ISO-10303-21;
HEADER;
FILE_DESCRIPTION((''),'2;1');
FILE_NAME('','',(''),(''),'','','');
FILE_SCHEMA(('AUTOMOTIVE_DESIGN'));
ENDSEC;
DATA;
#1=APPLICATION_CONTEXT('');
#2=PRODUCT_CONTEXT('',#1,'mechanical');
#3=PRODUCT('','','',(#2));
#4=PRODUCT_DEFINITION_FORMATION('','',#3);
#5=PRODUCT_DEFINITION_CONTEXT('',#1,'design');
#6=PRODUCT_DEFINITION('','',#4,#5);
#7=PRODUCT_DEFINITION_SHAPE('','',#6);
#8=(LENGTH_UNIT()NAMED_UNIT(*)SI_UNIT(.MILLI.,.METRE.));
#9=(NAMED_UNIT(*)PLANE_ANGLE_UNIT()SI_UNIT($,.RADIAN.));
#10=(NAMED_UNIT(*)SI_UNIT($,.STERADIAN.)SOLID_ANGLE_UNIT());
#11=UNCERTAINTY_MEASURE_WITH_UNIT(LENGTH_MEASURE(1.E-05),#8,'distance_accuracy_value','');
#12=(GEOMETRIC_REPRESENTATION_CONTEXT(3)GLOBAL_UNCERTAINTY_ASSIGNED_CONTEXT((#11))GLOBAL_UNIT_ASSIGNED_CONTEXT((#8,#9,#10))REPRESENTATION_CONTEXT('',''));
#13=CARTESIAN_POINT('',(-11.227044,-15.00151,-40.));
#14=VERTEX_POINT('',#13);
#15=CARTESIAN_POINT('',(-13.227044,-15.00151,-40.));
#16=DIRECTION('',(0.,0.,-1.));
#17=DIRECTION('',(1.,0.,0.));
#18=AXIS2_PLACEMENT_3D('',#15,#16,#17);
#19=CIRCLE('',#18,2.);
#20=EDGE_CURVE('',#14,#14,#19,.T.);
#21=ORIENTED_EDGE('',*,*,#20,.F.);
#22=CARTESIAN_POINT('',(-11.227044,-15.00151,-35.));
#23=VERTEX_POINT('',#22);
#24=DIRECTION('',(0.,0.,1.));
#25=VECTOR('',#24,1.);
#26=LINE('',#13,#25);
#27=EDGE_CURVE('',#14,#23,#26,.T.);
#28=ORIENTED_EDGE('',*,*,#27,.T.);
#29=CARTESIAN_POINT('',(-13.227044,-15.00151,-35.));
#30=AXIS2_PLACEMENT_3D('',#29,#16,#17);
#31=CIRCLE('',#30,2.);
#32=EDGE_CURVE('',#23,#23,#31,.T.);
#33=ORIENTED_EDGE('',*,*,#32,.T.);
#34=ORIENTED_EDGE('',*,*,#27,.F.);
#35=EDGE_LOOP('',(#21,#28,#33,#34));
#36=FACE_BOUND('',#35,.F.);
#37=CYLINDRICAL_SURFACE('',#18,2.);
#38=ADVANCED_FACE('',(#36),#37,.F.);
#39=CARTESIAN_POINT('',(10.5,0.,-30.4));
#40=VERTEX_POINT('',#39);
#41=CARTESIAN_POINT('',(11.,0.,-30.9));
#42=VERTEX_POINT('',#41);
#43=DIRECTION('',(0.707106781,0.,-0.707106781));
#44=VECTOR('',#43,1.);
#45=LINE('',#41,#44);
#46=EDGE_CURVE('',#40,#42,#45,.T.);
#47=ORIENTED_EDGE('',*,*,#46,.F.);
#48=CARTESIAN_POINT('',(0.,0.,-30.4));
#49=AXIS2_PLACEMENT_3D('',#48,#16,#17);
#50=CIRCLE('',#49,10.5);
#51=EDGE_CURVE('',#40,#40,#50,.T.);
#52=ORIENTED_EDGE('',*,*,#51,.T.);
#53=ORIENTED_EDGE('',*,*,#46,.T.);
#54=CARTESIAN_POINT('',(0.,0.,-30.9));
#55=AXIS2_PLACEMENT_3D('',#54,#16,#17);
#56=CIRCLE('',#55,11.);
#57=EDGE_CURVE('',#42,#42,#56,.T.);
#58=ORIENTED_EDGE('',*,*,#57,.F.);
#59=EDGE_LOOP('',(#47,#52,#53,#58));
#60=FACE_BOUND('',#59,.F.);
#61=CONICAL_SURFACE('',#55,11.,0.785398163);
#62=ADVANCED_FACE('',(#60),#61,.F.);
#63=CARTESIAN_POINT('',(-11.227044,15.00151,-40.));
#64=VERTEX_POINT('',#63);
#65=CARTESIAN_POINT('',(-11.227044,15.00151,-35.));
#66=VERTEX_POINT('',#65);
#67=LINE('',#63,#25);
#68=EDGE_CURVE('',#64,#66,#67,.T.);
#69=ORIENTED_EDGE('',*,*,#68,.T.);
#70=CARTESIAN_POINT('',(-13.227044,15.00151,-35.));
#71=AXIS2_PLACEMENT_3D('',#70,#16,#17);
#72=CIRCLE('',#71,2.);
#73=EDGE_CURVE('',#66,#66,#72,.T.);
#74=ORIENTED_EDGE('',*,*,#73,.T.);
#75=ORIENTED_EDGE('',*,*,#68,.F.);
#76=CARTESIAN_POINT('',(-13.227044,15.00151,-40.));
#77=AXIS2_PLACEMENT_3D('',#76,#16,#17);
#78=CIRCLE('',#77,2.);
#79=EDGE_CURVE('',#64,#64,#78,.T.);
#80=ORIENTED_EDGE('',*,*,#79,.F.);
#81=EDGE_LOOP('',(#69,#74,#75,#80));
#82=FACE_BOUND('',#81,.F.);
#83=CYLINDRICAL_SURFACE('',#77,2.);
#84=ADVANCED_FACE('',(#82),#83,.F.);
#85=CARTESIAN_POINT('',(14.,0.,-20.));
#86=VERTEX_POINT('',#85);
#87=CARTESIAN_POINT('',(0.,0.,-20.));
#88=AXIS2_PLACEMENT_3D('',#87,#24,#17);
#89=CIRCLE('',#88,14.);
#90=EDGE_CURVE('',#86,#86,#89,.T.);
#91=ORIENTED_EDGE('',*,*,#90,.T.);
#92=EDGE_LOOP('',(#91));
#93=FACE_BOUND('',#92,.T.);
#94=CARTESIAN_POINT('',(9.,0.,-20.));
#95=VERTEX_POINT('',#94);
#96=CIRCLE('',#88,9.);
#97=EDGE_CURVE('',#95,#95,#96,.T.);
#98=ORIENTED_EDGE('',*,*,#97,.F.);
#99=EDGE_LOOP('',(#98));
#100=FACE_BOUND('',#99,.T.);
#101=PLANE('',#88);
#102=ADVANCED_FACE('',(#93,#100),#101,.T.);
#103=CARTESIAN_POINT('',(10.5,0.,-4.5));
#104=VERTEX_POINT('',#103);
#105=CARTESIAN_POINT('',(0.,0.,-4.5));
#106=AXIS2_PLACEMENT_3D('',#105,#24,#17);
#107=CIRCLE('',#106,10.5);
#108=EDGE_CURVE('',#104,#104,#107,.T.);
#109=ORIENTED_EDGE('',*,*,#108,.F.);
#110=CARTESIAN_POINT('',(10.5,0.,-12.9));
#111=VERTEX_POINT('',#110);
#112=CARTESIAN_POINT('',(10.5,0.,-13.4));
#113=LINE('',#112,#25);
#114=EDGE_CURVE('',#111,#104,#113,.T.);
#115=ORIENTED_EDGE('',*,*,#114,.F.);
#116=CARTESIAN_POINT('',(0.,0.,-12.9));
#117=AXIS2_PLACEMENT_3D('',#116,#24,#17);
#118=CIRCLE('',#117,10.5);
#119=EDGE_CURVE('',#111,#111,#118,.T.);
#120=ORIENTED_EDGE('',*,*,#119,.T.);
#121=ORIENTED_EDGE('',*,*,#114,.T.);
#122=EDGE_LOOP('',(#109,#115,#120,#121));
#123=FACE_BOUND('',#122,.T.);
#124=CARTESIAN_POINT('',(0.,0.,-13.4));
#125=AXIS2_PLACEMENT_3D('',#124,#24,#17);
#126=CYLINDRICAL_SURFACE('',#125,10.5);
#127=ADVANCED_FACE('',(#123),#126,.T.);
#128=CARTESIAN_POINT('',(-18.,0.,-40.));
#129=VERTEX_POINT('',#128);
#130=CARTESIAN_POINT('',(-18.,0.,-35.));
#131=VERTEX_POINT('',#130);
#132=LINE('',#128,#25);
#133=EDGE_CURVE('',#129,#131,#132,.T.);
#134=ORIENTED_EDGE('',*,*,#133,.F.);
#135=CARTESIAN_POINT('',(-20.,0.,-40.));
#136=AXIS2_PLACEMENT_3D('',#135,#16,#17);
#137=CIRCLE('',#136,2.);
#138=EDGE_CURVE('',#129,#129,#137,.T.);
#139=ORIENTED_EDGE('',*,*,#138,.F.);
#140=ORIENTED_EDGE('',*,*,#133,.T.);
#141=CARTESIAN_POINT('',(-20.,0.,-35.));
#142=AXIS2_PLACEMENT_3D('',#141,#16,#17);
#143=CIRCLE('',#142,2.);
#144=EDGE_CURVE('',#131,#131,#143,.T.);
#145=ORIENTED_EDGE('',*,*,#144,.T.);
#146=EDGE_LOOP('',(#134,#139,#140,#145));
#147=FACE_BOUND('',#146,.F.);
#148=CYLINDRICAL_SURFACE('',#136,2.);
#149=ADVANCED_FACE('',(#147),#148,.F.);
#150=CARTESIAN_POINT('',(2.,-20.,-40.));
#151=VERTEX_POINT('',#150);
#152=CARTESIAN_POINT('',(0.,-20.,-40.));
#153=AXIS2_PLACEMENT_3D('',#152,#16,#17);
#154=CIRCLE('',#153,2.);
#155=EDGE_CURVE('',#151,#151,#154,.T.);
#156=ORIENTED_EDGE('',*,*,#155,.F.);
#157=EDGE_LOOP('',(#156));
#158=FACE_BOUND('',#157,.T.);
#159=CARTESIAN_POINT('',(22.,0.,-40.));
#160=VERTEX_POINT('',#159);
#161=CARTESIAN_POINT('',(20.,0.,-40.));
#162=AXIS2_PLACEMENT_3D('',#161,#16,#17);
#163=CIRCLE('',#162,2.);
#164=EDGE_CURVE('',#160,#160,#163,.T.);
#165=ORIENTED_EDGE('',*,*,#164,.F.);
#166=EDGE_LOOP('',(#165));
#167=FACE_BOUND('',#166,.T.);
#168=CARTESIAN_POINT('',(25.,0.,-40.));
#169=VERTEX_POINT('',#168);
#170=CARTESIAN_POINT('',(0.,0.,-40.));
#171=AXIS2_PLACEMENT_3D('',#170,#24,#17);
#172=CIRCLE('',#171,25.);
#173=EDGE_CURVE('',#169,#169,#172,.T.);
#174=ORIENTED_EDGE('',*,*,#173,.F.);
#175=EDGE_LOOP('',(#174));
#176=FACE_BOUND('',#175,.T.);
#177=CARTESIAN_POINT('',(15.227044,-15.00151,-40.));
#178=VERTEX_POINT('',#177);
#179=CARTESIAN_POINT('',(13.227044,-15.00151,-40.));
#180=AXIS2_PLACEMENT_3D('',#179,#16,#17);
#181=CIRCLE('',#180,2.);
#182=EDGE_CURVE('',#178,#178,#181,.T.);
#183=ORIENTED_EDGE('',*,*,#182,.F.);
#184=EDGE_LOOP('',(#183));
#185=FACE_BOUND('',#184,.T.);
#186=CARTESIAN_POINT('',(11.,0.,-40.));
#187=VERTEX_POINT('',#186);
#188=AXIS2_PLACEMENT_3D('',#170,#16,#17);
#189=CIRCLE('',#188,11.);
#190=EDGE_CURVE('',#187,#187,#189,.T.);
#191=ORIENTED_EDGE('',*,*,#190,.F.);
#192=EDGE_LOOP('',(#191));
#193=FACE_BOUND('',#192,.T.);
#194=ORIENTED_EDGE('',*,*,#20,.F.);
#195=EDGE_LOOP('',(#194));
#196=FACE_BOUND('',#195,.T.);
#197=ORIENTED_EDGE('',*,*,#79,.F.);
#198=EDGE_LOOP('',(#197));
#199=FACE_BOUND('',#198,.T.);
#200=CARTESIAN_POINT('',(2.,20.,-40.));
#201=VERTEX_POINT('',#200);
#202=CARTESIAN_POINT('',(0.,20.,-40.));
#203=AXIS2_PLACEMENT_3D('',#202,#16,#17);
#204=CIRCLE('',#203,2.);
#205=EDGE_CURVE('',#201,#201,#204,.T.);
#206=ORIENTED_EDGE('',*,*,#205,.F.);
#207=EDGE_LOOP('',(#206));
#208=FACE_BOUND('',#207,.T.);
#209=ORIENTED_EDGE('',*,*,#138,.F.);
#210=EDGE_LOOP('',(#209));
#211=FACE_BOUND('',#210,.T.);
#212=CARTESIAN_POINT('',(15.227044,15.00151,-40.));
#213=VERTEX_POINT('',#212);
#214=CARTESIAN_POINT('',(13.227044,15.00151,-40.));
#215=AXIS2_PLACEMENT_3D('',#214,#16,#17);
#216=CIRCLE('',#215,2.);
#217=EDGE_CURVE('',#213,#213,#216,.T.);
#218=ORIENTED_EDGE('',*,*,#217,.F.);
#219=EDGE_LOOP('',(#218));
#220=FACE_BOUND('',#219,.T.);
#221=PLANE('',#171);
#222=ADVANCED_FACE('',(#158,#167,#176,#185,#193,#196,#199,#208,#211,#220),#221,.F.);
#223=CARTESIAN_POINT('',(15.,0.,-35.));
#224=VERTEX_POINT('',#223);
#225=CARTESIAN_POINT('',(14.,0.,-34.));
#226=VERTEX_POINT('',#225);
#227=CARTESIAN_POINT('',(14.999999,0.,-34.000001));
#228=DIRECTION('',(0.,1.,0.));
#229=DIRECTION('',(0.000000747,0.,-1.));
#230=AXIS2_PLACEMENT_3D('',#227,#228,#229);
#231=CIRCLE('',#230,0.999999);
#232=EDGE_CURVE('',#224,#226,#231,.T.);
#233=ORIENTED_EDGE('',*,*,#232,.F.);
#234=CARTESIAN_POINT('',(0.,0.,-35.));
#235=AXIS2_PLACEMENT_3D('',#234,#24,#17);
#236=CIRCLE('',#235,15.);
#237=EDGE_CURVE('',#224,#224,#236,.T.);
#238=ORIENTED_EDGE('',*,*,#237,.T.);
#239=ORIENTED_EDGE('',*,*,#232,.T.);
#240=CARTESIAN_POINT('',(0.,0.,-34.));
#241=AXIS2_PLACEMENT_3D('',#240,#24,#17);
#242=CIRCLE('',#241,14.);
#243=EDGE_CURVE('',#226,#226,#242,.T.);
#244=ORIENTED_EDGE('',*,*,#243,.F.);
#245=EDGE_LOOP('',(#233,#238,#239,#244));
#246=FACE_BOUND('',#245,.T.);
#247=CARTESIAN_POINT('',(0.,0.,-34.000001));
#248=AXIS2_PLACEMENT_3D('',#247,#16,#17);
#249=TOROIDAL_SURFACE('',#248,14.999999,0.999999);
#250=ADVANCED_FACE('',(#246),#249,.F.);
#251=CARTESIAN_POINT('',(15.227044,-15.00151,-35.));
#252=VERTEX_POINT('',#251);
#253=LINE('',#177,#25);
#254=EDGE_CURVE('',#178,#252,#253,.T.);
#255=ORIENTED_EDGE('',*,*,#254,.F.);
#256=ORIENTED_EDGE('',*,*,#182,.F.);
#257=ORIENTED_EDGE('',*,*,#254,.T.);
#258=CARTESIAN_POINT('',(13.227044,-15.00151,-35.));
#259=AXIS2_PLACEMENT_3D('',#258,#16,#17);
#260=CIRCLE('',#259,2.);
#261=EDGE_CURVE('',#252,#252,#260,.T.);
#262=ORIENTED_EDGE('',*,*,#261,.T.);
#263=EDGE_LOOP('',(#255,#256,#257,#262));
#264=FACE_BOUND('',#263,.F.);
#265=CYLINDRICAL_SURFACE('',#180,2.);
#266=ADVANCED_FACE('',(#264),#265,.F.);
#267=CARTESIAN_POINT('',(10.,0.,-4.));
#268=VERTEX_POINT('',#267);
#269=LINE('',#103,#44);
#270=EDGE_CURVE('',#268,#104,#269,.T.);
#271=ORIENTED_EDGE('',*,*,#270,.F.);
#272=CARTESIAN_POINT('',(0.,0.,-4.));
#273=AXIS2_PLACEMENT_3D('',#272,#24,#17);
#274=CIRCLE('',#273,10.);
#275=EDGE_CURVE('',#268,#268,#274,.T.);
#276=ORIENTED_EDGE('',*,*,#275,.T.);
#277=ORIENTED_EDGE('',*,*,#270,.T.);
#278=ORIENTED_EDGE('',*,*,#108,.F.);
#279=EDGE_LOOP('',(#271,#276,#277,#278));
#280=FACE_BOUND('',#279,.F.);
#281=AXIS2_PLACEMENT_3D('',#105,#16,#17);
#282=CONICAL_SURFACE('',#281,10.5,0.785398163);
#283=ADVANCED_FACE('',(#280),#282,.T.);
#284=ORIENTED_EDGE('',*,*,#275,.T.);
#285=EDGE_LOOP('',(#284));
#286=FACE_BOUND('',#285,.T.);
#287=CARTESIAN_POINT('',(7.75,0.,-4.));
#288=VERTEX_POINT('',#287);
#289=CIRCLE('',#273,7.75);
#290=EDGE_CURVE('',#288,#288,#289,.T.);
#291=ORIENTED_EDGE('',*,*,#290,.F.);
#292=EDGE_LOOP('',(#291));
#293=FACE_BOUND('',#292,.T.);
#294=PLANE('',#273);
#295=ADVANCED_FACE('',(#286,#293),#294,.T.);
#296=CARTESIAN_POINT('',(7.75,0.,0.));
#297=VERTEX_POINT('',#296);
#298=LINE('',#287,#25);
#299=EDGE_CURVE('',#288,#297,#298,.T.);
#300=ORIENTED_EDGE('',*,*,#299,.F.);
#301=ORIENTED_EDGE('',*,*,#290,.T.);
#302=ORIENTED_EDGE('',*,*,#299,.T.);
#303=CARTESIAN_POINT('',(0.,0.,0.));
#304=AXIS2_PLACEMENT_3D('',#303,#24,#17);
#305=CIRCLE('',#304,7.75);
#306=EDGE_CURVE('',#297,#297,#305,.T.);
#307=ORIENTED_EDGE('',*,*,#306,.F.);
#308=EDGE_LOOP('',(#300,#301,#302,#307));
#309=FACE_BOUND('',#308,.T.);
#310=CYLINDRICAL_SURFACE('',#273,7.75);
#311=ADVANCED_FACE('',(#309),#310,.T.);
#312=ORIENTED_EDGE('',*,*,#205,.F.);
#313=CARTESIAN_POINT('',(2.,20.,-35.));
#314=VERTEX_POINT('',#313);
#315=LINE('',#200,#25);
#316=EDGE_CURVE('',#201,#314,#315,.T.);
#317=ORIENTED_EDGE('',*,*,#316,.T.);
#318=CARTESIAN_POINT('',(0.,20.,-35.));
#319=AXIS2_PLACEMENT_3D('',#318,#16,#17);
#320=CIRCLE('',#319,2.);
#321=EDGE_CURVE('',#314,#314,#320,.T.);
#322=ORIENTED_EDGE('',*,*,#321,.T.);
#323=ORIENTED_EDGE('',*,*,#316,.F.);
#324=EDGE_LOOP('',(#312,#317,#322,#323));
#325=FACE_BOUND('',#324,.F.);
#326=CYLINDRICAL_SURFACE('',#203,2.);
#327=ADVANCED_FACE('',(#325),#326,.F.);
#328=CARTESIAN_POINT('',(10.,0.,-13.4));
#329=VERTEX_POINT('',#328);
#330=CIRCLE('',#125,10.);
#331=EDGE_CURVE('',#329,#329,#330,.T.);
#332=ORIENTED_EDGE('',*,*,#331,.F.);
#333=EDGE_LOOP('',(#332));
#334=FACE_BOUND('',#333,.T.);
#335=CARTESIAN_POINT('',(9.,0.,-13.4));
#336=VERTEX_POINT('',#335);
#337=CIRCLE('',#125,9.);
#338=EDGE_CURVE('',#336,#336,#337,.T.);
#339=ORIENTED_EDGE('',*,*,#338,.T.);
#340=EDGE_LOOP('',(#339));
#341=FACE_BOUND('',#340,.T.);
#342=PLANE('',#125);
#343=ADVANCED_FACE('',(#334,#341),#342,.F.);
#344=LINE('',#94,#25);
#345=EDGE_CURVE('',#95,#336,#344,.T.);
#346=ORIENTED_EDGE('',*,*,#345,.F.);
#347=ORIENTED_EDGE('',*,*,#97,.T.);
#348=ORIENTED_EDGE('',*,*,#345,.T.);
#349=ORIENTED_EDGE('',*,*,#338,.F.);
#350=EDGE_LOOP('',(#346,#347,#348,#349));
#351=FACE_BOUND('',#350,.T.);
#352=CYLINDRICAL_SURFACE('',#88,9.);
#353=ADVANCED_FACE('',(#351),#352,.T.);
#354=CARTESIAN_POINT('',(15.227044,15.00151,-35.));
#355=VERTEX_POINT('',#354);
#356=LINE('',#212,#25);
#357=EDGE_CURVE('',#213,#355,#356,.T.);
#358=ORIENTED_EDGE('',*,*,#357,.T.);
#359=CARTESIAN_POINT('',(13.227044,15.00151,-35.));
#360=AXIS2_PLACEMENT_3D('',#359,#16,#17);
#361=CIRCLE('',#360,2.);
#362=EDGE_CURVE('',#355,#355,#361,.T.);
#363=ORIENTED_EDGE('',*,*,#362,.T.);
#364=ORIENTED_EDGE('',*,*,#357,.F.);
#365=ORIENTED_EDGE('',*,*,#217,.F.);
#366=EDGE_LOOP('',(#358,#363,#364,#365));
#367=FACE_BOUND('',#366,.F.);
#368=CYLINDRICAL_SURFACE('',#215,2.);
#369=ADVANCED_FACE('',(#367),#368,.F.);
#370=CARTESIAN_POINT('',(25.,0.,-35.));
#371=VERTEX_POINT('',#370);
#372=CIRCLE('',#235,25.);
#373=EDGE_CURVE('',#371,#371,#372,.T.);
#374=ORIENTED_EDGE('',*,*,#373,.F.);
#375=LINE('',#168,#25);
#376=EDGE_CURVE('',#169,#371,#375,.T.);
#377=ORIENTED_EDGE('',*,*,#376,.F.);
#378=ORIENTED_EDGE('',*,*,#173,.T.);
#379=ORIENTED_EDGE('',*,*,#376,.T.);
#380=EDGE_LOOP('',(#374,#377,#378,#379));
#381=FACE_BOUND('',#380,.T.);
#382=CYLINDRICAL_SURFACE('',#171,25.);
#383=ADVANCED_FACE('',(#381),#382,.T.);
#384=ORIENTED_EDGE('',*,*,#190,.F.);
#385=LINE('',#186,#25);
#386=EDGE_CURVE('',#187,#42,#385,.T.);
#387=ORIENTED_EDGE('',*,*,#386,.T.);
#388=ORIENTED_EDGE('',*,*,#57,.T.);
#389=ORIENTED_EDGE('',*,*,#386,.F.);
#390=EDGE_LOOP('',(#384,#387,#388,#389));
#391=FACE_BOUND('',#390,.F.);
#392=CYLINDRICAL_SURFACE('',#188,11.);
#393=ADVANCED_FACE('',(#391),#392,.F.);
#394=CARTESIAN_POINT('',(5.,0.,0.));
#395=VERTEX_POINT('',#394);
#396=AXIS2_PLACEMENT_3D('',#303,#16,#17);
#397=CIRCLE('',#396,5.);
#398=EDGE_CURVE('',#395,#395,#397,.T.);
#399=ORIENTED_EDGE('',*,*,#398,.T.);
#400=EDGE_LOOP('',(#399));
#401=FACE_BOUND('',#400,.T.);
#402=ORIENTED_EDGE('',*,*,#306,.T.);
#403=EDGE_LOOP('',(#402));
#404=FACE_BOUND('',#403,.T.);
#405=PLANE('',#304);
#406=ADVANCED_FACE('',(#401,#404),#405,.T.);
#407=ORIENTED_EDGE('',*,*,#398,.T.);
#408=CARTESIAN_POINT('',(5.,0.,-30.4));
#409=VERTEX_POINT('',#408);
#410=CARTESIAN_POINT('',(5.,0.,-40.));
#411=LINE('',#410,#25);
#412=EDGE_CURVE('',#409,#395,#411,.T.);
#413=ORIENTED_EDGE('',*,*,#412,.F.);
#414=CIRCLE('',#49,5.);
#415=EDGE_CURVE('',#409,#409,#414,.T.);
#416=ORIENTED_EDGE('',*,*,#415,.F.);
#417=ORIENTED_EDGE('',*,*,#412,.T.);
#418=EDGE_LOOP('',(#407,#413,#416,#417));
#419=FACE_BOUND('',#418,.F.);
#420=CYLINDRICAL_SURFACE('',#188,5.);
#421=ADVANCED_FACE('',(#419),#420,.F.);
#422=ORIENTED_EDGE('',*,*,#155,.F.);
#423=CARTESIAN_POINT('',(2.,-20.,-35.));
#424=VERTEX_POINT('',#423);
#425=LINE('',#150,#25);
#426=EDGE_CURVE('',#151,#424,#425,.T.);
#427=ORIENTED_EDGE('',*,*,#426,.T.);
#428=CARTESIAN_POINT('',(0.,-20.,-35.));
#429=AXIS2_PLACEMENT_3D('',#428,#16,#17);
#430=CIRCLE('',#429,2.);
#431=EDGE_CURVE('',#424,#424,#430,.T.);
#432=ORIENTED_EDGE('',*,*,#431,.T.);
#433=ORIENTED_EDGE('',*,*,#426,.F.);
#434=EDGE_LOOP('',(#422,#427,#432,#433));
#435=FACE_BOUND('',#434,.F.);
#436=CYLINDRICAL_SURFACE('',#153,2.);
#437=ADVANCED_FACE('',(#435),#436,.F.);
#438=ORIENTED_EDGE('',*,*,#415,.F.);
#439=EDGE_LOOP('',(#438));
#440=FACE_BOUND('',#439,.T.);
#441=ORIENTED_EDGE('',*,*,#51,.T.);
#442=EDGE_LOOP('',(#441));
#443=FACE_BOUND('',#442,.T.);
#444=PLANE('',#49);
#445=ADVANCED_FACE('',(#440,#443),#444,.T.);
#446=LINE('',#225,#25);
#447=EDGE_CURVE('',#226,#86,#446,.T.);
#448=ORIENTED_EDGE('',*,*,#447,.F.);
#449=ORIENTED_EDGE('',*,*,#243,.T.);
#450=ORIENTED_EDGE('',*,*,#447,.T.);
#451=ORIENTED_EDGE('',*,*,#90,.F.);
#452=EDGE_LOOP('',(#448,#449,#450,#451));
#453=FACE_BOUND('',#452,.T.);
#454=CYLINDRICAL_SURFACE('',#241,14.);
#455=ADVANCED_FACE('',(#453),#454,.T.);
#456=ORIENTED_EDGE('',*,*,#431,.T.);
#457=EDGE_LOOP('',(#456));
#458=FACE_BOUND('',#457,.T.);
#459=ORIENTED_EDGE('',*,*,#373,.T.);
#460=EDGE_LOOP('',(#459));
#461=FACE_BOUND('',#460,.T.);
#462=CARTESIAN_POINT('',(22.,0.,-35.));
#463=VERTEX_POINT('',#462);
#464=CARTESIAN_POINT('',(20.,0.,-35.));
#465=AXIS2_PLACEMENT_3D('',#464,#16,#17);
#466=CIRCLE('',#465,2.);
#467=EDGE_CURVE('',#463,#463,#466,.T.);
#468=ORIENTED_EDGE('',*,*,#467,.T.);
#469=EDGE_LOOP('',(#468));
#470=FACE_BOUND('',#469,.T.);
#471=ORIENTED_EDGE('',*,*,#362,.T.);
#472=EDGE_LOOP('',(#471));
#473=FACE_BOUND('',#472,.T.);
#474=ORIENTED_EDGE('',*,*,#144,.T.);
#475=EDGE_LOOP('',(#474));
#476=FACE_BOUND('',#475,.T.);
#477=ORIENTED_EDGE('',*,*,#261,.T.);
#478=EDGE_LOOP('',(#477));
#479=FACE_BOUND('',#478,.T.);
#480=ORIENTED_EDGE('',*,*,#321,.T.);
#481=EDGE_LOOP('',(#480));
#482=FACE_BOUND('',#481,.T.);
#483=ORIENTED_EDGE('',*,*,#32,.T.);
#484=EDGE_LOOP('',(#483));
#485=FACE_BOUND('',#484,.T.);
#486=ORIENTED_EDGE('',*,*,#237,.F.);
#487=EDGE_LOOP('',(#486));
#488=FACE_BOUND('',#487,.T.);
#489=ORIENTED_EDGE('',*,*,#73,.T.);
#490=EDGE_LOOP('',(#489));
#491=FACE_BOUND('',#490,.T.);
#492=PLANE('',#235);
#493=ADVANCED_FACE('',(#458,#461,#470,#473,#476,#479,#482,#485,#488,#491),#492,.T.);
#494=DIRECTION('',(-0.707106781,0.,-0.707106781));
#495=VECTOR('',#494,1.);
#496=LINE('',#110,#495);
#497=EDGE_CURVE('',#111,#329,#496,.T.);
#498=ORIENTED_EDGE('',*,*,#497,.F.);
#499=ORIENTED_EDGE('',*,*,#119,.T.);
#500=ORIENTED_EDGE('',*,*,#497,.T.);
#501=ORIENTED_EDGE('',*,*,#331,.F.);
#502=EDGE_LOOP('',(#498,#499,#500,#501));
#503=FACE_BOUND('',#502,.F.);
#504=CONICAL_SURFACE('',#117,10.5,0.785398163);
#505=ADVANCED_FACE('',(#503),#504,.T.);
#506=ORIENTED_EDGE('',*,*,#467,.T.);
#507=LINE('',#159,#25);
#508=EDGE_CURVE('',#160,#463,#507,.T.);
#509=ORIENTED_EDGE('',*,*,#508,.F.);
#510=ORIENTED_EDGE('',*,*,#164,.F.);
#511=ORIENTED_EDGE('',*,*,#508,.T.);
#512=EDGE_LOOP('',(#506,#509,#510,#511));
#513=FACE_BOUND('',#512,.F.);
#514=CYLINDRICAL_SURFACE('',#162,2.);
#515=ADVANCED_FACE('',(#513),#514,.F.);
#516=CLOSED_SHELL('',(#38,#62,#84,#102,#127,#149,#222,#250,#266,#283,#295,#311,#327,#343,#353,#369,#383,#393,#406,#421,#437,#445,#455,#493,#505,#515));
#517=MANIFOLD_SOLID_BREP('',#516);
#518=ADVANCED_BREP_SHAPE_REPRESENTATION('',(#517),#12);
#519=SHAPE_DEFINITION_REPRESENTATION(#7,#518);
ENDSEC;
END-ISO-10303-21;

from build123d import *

# Parameters (mm, degrees)
F2_R     = 5
F3_DEPTH = 40
F2_R_2   = 11
F4_DEPTH = 9.6
F2_R_3   = 2
F5_DEPTH = 5
F6_SIZE  = 0.5


with BuildPart() as f1:
    # F0 (on Front) → F1 (revolve)
    with BuildSketch(Plane.XZ):
        with BuildLine():
            Line((7.75, 0), (0, 0))
            Line((0, 0), (0, -40))
            Line((0, -40), (25, -40))
            Line((25, -40), (25, -35))
            Line((25, -35), (15, -35))
            ThreePointArc((15, -35), (14.292893, -34.707107), (14, -34))
            Line((14, -34), (14, -20))
            Line((14, -20), (9, -20))
            Line((9, -20), (9, -13.4))
            Line((9, -13.4), (10.5, -13.4))
            Line((10.5, -13.4), (10.5, -4))
            Line((10.5, -4), (7.75, -4))
            Line((7.75, -4), (7.75, 0))
        make_face()
    revolve(axis=Axis((0, 0, -20), (0, 0, 1)))

    # F2 (on face) → F3 (cut)
    with BuildSketch(Plane(origin=(0, 0, -40), x_dir=(1, 0, 0), z_dir=(0, 0, -1))):
        Circle(F2_R)
    extrude(amount=-F3_DEPTH, mode=Mode.SUBTRACT)

    # F2 (on face) → F4 (cut)
    with BuildSketch(Plane(origin=(0, 0, -40), x_dir=(1, 0, 0), z_dir=(0, 0, -1))):
        Circle(F2_R_2)
        Circle(F2_R, mode=Mode.SUBTRACT)
    extrude(amount=-F4_DEPTH, mode=Mode.SUBTRACT)

    # F2 (on face) → F5 (cut)
    with BuildSketch(Plane(origin=(0, 0, -40), x_dir=(1, 0, 0), z_dir=(0, 0, -1))):
        with Locations((-13.227044, 15.00151)):
            Circle(F2_R_3)
        with Locations((0, 20)):
            Circle(F2_R_3)
        with Locations((13.227044, 15.00151)):
            Circle(F2_R_3)
        with Locations((20, 0)):
            Circle(F2_R_3)
        with Locations((13.227044, -15.00151)):
            Circle(F2_R_3)
        with Locations((0, -20)):
            Circle(F2_R_3)
        with Locations((-13.227044, -15.00151)):
            Circle(F2_R_3)
        with Locations((-20, 0)):
            Circle(F2_R_3)
    extrude(amount=-F5_DEPTH, mode=Mode.SUBTRACT)

    # F6
    f6_edges = [f1.edges().sort_by_distance(p)[0] for p in [
        (-10.5, 0, -13.4),
        (-10.5, 0, -4),
        (-11, 0, -30.4),
    ]]
    chamfer(f6_edges, length=F6_SIZE)


solid = f1.part
